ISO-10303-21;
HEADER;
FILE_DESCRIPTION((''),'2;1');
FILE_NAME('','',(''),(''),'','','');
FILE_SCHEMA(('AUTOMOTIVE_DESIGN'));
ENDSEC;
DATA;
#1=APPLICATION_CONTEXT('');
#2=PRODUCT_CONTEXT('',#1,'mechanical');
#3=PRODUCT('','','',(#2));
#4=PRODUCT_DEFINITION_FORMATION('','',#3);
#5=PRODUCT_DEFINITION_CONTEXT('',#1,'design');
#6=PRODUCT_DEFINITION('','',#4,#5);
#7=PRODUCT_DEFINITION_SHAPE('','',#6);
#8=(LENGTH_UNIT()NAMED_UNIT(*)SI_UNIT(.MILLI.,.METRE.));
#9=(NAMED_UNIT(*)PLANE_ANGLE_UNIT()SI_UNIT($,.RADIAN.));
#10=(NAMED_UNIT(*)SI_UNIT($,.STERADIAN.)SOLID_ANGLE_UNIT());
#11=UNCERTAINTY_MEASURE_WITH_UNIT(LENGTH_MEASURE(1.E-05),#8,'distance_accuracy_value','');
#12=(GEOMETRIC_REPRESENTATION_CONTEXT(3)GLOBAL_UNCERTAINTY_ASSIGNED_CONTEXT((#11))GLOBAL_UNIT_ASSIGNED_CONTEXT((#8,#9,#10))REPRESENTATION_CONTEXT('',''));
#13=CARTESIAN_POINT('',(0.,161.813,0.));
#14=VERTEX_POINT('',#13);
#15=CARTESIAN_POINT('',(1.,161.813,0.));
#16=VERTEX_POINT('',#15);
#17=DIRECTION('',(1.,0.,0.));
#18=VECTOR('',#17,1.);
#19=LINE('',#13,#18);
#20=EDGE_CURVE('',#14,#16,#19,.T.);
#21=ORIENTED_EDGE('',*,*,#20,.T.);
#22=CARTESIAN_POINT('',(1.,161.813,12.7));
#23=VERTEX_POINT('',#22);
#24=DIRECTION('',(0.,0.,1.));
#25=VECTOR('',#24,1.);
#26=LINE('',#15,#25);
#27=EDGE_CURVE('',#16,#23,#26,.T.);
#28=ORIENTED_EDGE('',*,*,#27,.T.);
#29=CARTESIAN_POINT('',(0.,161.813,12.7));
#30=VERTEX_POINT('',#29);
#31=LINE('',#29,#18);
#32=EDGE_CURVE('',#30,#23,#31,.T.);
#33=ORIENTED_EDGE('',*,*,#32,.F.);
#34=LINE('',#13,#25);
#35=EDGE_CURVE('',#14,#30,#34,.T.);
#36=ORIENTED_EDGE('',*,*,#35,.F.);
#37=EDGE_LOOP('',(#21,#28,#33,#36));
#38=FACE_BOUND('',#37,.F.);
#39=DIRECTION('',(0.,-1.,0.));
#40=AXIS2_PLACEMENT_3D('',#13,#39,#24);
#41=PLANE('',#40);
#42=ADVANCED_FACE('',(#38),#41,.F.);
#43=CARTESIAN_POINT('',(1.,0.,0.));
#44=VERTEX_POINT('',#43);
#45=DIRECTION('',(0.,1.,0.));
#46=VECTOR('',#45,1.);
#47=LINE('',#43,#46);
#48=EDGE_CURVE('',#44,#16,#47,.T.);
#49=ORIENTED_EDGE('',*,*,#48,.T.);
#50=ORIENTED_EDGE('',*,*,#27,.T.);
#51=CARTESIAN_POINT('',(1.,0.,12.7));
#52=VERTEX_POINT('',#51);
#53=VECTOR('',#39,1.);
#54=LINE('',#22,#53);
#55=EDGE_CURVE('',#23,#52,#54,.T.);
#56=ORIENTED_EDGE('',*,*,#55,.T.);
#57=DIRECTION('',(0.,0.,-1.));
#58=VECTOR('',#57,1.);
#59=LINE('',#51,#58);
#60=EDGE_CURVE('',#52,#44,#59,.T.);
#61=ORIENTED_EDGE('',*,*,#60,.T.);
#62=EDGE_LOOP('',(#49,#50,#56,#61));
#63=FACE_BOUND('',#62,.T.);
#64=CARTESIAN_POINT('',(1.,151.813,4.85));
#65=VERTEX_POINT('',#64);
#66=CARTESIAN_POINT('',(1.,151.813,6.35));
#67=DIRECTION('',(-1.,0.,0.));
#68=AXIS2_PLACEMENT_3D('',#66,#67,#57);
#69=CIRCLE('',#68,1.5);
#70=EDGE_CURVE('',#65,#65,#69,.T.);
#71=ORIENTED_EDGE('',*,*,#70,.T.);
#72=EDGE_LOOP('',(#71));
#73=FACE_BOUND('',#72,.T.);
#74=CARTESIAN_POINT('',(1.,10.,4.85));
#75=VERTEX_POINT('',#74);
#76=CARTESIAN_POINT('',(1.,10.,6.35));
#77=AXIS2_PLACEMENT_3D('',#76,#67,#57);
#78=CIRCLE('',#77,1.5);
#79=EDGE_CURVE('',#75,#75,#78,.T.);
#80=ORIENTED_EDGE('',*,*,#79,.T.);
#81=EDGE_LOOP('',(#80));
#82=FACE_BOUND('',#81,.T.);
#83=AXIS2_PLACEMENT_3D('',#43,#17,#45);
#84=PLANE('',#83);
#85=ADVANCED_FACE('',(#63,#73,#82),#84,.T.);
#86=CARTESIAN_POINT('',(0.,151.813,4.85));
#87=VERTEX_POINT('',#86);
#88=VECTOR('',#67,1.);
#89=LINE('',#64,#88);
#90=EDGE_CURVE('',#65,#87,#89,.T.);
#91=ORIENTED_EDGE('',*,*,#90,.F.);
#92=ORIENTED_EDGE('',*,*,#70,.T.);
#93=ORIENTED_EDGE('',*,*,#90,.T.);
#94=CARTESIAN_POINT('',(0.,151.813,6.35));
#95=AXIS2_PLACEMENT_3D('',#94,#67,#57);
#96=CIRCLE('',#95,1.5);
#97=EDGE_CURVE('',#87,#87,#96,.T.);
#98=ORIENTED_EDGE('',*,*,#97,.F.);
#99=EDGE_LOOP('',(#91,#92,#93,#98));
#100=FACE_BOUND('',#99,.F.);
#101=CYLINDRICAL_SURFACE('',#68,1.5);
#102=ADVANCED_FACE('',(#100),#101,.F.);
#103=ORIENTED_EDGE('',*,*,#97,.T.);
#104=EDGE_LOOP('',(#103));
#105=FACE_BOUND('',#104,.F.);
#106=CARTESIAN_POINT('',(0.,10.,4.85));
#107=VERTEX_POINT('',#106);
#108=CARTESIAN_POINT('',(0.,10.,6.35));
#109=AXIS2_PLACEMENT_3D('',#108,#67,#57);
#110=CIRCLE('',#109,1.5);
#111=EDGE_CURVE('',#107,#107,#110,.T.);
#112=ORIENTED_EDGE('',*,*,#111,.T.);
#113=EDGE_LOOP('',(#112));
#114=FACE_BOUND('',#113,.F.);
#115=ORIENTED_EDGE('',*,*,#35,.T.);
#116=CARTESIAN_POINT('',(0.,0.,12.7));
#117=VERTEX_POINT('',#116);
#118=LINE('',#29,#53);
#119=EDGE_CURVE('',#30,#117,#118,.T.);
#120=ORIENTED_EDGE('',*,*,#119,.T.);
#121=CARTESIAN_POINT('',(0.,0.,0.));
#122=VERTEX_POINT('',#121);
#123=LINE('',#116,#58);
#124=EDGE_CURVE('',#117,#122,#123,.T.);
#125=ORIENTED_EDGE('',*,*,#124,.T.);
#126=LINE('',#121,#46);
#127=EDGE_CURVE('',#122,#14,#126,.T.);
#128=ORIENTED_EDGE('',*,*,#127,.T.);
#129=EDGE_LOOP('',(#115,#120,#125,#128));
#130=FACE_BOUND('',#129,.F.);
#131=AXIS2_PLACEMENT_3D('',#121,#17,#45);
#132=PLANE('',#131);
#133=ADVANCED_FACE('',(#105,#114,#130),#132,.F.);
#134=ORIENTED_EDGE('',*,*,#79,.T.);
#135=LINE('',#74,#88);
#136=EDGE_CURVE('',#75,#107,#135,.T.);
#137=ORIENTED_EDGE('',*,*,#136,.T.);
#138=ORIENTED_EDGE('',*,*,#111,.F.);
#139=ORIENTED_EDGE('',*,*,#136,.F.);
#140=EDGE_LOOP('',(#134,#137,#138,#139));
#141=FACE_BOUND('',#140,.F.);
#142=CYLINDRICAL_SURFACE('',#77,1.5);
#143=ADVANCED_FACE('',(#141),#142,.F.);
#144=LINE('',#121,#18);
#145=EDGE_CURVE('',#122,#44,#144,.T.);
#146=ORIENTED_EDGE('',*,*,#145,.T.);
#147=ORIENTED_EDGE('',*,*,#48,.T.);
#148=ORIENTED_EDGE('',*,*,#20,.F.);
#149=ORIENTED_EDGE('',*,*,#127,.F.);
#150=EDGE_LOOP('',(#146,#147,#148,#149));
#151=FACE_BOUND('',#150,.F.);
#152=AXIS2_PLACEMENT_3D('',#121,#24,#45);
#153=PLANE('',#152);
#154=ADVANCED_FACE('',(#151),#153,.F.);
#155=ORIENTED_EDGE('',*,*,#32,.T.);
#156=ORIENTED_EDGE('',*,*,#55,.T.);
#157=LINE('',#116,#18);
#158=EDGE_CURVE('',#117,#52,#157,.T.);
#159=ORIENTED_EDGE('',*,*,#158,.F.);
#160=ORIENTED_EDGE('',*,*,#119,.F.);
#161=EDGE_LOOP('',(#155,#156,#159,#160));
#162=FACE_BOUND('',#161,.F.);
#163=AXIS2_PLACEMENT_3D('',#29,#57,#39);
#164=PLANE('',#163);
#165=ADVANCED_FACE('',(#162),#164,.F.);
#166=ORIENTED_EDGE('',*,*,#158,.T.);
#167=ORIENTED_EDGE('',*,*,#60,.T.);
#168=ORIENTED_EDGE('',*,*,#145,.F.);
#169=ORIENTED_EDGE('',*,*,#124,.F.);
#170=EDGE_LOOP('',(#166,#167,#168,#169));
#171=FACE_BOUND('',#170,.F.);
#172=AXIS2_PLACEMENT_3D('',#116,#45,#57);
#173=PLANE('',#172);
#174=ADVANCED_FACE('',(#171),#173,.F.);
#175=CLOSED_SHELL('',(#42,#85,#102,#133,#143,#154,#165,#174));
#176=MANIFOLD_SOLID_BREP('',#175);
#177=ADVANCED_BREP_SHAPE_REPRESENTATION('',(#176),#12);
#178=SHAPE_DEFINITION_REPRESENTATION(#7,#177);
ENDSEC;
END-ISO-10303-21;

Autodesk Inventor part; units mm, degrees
ref_plane "YZ Plane" through (0, 0, 0) normal (1, 0, 0) x (0, 1, 0)
ref_plane "XZ Plane" through (0, 0, 0) normal (0, 1, 0) x (-1, 0, 0)
ref_plane "XY Plane" through (0, 0, 0) normal (0, 0, 1) x (1, 0, 0)
sketch "Skizze1" plane through (0, 0, 0) normal (1, 0, 0) x (0, 1, 0)
  line L0 (0, 0) -> (161.813, 0)
  line L1 (161.813, 0) -> (161.813, 12.7)
  line L2 (161.813, 12.7) -> (0, 12.7)
  line L3 (0, 12.7) -> (0, 0)
  dimension "d0" = 161.813
  dimension "d1" = 12.7
extrude "Extrusion1" add sketch "Skizze1" along normal blind 1
sketch "Skizze2" plane through (1, 0, 0) normal (1, 0, 0) x (0, 0, -1)
  line L0 (-12.7, 0) -> (0, 0) projected
  line L1 (-6.35, 0) -> (-6.35, 10)
  line L2 (-6.35, 151.813) -> (-6.35, 161.813)
  line L3 (0, 161.813) -> (-12.7, 161.813) projected
  dimension "d4" = 10
  dimension "d13" = 10
hole "Bohrung1" at (1, 10, 6.35) at (1, 151.813, 6.35) direction (-1, 0, 0) diameter 3 end through all
properties part number "Platte_Kettenglied_oben"
